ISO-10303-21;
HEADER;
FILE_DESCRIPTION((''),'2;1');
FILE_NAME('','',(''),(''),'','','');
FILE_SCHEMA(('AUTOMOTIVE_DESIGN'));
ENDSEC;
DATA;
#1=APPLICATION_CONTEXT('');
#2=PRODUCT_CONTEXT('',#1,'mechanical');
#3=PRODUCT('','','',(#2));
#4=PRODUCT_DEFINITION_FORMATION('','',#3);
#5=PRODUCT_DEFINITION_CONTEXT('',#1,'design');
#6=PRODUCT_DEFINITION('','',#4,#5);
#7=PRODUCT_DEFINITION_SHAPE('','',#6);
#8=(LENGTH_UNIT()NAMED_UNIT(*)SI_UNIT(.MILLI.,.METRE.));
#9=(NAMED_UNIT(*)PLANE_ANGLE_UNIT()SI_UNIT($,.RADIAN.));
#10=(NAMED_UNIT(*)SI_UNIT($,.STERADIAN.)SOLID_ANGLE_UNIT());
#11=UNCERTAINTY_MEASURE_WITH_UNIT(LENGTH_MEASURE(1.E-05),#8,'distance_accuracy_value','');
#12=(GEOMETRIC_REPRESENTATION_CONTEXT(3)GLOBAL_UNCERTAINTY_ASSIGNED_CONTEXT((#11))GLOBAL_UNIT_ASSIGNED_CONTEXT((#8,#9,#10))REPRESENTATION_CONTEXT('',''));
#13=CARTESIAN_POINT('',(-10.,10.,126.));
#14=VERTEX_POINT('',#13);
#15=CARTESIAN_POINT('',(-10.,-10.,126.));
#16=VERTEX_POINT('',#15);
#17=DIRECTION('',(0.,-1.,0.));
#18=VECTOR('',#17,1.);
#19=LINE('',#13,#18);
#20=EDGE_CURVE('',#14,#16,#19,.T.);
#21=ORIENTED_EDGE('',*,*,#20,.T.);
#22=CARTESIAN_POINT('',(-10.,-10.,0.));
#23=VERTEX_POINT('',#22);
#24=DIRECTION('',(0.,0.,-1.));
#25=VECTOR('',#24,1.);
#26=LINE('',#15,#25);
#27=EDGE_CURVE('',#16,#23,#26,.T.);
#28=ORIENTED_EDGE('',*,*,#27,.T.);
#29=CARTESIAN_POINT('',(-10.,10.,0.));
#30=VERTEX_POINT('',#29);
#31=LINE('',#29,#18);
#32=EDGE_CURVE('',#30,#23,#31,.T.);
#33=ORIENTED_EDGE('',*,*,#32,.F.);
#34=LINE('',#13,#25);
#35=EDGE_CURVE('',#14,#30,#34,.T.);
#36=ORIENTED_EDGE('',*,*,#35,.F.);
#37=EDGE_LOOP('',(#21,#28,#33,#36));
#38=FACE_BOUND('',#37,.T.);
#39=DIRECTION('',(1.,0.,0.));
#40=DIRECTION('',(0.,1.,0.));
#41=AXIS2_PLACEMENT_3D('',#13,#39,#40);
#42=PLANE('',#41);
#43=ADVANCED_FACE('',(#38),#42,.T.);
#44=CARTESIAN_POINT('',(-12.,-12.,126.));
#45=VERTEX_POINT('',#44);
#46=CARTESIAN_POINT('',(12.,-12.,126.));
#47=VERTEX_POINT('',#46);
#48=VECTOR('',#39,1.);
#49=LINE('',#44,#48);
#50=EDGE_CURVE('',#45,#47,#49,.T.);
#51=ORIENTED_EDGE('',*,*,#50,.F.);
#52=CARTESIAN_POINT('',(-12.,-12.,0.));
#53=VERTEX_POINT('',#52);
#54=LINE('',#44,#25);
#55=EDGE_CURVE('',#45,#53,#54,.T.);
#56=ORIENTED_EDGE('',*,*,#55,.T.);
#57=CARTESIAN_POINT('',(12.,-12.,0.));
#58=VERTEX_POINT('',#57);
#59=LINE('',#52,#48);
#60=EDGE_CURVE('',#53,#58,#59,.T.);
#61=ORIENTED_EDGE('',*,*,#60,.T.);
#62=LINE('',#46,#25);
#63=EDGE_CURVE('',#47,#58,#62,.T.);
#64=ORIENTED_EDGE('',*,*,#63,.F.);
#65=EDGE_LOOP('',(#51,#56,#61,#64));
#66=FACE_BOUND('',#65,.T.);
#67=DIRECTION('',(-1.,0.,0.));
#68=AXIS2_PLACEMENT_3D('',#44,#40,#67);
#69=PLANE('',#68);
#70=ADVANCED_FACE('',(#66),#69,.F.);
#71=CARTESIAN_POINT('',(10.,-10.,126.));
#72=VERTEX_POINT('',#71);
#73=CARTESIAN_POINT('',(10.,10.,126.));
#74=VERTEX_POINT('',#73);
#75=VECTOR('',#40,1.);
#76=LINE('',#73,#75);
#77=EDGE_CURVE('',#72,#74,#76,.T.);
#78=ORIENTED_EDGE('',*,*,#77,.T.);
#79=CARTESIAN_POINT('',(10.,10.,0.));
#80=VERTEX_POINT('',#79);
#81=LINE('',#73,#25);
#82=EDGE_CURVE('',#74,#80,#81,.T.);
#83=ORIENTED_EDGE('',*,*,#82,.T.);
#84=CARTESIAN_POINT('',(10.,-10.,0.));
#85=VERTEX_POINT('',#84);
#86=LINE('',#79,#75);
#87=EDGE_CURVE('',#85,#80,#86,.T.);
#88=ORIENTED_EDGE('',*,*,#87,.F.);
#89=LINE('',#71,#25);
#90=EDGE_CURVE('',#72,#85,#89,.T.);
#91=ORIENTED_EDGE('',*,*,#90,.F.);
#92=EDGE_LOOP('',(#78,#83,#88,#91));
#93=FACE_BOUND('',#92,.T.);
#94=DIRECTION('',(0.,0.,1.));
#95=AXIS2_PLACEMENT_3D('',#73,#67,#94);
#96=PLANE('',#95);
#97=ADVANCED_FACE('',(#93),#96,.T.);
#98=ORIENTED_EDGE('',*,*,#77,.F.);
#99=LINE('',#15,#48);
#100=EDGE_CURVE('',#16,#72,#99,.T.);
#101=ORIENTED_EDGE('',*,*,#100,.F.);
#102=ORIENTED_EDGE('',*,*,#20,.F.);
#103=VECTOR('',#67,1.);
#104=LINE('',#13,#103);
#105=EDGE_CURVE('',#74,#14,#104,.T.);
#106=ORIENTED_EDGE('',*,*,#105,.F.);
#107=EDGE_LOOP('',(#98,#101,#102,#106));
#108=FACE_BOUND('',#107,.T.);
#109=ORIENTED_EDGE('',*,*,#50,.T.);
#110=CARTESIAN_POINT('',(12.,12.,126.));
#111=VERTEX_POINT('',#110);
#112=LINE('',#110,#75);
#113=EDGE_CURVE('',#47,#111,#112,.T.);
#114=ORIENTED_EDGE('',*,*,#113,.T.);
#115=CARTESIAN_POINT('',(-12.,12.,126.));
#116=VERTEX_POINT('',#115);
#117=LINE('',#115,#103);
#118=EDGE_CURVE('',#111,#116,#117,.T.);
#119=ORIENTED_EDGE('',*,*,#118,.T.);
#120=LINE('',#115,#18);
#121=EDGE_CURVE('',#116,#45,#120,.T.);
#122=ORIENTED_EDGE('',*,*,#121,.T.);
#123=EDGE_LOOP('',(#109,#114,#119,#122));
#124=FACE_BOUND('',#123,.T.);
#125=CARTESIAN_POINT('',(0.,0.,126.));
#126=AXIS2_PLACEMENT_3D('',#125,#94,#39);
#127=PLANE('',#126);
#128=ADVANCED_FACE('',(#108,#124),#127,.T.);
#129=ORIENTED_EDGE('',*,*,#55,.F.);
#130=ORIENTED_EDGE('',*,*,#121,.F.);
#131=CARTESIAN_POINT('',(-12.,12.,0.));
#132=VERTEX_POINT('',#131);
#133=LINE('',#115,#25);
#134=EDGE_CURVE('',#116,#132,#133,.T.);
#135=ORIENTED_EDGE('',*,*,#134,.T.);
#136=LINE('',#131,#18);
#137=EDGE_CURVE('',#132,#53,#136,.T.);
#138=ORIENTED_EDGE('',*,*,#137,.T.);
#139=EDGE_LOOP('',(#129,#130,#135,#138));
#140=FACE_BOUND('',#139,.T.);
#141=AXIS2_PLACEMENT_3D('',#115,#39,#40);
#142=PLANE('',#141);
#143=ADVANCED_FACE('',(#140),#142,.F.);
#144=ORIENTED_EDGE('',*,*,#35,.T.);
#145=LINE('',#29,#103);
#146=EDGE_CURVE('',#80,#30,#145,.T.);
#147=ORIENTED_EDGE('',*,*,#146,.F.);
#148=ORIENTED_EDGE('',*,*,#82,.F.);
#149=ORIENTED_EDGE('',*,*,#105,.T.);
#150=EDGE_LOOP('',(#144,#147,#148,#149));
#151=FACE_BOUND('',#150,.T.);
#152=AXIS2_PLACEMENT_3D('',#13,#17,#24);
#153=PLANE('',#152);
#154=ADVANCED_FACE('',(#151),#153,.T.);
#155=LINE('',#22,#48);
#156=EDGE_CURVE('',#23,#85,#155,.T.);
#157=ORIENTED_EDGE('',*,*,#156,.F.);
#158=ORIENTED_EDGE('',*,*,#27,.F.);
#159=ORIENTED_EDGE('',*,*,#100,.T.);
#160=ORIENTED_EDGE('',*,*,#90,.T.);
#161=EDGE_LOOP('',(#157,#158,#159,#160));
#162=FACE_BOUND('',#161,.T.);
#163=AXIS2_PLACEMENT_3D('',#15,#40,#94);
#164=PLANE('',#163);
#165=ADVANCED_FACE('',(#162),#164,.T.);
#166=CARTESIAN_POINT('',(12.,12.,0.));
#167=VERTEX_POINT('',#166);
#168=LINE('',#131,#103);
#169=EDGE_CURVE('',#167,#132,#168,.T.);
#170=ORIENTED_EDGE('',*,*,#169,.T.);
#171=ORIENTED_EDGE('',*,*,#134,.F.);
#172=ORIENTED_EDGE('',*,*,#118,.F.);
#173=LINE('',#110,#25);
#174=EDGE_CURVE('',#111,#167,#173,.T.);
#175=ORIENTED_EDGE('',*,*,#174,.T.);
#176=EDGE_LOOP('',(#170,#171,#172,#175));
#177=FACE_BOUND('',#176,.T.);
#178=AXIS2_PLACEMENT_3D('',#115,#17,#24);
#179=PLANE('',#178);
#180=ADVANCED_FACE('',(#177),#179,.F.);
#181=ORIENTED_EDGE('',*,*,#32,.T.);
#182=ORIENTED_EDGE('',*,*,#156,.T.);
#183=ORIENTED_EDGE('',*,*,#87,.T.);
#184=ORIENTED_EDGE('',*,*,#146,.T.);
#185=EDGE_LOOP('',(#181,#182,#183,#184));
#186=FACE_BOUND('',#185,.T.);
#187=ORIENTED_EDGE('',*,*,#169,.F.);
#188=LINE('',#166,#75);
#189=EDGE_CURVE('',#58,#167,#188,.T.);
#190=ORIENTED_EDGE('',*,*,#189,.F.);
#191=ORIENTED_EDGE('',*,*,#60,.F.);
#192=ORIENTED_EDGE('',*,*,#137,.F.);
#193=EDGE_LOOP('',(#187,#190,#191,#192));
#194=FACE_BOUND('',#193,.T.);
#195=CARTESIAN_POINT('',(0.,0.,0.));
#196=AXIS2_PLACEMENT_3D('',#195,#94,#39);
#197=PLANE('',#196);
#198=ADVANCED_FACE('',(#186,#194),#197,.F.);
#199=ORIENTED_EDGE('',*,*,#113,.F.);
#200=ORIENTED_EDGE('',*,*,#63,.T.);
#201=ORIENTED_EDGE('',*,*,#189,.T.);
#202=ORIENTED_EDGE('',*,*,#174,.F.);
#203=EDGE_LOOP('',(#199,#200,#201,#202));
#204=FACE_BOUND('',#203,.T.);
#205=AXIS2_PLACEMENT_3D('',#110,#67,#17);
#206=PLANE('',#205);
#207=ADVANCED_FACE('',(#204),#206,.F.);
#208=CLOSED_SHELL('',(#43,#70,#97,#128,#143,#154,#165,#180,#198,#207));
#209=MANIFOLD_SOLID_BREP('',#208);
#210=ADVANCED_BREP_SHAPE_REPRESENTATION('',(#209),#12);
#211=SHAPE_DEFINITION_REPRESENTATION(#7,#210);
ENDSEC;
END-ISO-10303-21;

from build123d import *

# Parameters (mm, degrees)
SKETCH_1_W      = 24
SKETCH_1_H      = 24
SKETCH_1_W_2    = 20
SKETCH_1_H_2    = 20
EXTRUDE_1_DEPTH = 126


with BuildPart() as part:
    # 草图1 → 凸台-拉伸1 (new body)
    with BuildSketch(Plane.XY):
        Rectangle(SKETCH_1_W, SKETCH_1_H)
        Rectangle(SKETCH_1_W_2, SKETCH_1_H_2, mode=Mode.SUBTRACT)
    extrude(amount=EXTRUDE_1_DEPTH)


solid = part.part
